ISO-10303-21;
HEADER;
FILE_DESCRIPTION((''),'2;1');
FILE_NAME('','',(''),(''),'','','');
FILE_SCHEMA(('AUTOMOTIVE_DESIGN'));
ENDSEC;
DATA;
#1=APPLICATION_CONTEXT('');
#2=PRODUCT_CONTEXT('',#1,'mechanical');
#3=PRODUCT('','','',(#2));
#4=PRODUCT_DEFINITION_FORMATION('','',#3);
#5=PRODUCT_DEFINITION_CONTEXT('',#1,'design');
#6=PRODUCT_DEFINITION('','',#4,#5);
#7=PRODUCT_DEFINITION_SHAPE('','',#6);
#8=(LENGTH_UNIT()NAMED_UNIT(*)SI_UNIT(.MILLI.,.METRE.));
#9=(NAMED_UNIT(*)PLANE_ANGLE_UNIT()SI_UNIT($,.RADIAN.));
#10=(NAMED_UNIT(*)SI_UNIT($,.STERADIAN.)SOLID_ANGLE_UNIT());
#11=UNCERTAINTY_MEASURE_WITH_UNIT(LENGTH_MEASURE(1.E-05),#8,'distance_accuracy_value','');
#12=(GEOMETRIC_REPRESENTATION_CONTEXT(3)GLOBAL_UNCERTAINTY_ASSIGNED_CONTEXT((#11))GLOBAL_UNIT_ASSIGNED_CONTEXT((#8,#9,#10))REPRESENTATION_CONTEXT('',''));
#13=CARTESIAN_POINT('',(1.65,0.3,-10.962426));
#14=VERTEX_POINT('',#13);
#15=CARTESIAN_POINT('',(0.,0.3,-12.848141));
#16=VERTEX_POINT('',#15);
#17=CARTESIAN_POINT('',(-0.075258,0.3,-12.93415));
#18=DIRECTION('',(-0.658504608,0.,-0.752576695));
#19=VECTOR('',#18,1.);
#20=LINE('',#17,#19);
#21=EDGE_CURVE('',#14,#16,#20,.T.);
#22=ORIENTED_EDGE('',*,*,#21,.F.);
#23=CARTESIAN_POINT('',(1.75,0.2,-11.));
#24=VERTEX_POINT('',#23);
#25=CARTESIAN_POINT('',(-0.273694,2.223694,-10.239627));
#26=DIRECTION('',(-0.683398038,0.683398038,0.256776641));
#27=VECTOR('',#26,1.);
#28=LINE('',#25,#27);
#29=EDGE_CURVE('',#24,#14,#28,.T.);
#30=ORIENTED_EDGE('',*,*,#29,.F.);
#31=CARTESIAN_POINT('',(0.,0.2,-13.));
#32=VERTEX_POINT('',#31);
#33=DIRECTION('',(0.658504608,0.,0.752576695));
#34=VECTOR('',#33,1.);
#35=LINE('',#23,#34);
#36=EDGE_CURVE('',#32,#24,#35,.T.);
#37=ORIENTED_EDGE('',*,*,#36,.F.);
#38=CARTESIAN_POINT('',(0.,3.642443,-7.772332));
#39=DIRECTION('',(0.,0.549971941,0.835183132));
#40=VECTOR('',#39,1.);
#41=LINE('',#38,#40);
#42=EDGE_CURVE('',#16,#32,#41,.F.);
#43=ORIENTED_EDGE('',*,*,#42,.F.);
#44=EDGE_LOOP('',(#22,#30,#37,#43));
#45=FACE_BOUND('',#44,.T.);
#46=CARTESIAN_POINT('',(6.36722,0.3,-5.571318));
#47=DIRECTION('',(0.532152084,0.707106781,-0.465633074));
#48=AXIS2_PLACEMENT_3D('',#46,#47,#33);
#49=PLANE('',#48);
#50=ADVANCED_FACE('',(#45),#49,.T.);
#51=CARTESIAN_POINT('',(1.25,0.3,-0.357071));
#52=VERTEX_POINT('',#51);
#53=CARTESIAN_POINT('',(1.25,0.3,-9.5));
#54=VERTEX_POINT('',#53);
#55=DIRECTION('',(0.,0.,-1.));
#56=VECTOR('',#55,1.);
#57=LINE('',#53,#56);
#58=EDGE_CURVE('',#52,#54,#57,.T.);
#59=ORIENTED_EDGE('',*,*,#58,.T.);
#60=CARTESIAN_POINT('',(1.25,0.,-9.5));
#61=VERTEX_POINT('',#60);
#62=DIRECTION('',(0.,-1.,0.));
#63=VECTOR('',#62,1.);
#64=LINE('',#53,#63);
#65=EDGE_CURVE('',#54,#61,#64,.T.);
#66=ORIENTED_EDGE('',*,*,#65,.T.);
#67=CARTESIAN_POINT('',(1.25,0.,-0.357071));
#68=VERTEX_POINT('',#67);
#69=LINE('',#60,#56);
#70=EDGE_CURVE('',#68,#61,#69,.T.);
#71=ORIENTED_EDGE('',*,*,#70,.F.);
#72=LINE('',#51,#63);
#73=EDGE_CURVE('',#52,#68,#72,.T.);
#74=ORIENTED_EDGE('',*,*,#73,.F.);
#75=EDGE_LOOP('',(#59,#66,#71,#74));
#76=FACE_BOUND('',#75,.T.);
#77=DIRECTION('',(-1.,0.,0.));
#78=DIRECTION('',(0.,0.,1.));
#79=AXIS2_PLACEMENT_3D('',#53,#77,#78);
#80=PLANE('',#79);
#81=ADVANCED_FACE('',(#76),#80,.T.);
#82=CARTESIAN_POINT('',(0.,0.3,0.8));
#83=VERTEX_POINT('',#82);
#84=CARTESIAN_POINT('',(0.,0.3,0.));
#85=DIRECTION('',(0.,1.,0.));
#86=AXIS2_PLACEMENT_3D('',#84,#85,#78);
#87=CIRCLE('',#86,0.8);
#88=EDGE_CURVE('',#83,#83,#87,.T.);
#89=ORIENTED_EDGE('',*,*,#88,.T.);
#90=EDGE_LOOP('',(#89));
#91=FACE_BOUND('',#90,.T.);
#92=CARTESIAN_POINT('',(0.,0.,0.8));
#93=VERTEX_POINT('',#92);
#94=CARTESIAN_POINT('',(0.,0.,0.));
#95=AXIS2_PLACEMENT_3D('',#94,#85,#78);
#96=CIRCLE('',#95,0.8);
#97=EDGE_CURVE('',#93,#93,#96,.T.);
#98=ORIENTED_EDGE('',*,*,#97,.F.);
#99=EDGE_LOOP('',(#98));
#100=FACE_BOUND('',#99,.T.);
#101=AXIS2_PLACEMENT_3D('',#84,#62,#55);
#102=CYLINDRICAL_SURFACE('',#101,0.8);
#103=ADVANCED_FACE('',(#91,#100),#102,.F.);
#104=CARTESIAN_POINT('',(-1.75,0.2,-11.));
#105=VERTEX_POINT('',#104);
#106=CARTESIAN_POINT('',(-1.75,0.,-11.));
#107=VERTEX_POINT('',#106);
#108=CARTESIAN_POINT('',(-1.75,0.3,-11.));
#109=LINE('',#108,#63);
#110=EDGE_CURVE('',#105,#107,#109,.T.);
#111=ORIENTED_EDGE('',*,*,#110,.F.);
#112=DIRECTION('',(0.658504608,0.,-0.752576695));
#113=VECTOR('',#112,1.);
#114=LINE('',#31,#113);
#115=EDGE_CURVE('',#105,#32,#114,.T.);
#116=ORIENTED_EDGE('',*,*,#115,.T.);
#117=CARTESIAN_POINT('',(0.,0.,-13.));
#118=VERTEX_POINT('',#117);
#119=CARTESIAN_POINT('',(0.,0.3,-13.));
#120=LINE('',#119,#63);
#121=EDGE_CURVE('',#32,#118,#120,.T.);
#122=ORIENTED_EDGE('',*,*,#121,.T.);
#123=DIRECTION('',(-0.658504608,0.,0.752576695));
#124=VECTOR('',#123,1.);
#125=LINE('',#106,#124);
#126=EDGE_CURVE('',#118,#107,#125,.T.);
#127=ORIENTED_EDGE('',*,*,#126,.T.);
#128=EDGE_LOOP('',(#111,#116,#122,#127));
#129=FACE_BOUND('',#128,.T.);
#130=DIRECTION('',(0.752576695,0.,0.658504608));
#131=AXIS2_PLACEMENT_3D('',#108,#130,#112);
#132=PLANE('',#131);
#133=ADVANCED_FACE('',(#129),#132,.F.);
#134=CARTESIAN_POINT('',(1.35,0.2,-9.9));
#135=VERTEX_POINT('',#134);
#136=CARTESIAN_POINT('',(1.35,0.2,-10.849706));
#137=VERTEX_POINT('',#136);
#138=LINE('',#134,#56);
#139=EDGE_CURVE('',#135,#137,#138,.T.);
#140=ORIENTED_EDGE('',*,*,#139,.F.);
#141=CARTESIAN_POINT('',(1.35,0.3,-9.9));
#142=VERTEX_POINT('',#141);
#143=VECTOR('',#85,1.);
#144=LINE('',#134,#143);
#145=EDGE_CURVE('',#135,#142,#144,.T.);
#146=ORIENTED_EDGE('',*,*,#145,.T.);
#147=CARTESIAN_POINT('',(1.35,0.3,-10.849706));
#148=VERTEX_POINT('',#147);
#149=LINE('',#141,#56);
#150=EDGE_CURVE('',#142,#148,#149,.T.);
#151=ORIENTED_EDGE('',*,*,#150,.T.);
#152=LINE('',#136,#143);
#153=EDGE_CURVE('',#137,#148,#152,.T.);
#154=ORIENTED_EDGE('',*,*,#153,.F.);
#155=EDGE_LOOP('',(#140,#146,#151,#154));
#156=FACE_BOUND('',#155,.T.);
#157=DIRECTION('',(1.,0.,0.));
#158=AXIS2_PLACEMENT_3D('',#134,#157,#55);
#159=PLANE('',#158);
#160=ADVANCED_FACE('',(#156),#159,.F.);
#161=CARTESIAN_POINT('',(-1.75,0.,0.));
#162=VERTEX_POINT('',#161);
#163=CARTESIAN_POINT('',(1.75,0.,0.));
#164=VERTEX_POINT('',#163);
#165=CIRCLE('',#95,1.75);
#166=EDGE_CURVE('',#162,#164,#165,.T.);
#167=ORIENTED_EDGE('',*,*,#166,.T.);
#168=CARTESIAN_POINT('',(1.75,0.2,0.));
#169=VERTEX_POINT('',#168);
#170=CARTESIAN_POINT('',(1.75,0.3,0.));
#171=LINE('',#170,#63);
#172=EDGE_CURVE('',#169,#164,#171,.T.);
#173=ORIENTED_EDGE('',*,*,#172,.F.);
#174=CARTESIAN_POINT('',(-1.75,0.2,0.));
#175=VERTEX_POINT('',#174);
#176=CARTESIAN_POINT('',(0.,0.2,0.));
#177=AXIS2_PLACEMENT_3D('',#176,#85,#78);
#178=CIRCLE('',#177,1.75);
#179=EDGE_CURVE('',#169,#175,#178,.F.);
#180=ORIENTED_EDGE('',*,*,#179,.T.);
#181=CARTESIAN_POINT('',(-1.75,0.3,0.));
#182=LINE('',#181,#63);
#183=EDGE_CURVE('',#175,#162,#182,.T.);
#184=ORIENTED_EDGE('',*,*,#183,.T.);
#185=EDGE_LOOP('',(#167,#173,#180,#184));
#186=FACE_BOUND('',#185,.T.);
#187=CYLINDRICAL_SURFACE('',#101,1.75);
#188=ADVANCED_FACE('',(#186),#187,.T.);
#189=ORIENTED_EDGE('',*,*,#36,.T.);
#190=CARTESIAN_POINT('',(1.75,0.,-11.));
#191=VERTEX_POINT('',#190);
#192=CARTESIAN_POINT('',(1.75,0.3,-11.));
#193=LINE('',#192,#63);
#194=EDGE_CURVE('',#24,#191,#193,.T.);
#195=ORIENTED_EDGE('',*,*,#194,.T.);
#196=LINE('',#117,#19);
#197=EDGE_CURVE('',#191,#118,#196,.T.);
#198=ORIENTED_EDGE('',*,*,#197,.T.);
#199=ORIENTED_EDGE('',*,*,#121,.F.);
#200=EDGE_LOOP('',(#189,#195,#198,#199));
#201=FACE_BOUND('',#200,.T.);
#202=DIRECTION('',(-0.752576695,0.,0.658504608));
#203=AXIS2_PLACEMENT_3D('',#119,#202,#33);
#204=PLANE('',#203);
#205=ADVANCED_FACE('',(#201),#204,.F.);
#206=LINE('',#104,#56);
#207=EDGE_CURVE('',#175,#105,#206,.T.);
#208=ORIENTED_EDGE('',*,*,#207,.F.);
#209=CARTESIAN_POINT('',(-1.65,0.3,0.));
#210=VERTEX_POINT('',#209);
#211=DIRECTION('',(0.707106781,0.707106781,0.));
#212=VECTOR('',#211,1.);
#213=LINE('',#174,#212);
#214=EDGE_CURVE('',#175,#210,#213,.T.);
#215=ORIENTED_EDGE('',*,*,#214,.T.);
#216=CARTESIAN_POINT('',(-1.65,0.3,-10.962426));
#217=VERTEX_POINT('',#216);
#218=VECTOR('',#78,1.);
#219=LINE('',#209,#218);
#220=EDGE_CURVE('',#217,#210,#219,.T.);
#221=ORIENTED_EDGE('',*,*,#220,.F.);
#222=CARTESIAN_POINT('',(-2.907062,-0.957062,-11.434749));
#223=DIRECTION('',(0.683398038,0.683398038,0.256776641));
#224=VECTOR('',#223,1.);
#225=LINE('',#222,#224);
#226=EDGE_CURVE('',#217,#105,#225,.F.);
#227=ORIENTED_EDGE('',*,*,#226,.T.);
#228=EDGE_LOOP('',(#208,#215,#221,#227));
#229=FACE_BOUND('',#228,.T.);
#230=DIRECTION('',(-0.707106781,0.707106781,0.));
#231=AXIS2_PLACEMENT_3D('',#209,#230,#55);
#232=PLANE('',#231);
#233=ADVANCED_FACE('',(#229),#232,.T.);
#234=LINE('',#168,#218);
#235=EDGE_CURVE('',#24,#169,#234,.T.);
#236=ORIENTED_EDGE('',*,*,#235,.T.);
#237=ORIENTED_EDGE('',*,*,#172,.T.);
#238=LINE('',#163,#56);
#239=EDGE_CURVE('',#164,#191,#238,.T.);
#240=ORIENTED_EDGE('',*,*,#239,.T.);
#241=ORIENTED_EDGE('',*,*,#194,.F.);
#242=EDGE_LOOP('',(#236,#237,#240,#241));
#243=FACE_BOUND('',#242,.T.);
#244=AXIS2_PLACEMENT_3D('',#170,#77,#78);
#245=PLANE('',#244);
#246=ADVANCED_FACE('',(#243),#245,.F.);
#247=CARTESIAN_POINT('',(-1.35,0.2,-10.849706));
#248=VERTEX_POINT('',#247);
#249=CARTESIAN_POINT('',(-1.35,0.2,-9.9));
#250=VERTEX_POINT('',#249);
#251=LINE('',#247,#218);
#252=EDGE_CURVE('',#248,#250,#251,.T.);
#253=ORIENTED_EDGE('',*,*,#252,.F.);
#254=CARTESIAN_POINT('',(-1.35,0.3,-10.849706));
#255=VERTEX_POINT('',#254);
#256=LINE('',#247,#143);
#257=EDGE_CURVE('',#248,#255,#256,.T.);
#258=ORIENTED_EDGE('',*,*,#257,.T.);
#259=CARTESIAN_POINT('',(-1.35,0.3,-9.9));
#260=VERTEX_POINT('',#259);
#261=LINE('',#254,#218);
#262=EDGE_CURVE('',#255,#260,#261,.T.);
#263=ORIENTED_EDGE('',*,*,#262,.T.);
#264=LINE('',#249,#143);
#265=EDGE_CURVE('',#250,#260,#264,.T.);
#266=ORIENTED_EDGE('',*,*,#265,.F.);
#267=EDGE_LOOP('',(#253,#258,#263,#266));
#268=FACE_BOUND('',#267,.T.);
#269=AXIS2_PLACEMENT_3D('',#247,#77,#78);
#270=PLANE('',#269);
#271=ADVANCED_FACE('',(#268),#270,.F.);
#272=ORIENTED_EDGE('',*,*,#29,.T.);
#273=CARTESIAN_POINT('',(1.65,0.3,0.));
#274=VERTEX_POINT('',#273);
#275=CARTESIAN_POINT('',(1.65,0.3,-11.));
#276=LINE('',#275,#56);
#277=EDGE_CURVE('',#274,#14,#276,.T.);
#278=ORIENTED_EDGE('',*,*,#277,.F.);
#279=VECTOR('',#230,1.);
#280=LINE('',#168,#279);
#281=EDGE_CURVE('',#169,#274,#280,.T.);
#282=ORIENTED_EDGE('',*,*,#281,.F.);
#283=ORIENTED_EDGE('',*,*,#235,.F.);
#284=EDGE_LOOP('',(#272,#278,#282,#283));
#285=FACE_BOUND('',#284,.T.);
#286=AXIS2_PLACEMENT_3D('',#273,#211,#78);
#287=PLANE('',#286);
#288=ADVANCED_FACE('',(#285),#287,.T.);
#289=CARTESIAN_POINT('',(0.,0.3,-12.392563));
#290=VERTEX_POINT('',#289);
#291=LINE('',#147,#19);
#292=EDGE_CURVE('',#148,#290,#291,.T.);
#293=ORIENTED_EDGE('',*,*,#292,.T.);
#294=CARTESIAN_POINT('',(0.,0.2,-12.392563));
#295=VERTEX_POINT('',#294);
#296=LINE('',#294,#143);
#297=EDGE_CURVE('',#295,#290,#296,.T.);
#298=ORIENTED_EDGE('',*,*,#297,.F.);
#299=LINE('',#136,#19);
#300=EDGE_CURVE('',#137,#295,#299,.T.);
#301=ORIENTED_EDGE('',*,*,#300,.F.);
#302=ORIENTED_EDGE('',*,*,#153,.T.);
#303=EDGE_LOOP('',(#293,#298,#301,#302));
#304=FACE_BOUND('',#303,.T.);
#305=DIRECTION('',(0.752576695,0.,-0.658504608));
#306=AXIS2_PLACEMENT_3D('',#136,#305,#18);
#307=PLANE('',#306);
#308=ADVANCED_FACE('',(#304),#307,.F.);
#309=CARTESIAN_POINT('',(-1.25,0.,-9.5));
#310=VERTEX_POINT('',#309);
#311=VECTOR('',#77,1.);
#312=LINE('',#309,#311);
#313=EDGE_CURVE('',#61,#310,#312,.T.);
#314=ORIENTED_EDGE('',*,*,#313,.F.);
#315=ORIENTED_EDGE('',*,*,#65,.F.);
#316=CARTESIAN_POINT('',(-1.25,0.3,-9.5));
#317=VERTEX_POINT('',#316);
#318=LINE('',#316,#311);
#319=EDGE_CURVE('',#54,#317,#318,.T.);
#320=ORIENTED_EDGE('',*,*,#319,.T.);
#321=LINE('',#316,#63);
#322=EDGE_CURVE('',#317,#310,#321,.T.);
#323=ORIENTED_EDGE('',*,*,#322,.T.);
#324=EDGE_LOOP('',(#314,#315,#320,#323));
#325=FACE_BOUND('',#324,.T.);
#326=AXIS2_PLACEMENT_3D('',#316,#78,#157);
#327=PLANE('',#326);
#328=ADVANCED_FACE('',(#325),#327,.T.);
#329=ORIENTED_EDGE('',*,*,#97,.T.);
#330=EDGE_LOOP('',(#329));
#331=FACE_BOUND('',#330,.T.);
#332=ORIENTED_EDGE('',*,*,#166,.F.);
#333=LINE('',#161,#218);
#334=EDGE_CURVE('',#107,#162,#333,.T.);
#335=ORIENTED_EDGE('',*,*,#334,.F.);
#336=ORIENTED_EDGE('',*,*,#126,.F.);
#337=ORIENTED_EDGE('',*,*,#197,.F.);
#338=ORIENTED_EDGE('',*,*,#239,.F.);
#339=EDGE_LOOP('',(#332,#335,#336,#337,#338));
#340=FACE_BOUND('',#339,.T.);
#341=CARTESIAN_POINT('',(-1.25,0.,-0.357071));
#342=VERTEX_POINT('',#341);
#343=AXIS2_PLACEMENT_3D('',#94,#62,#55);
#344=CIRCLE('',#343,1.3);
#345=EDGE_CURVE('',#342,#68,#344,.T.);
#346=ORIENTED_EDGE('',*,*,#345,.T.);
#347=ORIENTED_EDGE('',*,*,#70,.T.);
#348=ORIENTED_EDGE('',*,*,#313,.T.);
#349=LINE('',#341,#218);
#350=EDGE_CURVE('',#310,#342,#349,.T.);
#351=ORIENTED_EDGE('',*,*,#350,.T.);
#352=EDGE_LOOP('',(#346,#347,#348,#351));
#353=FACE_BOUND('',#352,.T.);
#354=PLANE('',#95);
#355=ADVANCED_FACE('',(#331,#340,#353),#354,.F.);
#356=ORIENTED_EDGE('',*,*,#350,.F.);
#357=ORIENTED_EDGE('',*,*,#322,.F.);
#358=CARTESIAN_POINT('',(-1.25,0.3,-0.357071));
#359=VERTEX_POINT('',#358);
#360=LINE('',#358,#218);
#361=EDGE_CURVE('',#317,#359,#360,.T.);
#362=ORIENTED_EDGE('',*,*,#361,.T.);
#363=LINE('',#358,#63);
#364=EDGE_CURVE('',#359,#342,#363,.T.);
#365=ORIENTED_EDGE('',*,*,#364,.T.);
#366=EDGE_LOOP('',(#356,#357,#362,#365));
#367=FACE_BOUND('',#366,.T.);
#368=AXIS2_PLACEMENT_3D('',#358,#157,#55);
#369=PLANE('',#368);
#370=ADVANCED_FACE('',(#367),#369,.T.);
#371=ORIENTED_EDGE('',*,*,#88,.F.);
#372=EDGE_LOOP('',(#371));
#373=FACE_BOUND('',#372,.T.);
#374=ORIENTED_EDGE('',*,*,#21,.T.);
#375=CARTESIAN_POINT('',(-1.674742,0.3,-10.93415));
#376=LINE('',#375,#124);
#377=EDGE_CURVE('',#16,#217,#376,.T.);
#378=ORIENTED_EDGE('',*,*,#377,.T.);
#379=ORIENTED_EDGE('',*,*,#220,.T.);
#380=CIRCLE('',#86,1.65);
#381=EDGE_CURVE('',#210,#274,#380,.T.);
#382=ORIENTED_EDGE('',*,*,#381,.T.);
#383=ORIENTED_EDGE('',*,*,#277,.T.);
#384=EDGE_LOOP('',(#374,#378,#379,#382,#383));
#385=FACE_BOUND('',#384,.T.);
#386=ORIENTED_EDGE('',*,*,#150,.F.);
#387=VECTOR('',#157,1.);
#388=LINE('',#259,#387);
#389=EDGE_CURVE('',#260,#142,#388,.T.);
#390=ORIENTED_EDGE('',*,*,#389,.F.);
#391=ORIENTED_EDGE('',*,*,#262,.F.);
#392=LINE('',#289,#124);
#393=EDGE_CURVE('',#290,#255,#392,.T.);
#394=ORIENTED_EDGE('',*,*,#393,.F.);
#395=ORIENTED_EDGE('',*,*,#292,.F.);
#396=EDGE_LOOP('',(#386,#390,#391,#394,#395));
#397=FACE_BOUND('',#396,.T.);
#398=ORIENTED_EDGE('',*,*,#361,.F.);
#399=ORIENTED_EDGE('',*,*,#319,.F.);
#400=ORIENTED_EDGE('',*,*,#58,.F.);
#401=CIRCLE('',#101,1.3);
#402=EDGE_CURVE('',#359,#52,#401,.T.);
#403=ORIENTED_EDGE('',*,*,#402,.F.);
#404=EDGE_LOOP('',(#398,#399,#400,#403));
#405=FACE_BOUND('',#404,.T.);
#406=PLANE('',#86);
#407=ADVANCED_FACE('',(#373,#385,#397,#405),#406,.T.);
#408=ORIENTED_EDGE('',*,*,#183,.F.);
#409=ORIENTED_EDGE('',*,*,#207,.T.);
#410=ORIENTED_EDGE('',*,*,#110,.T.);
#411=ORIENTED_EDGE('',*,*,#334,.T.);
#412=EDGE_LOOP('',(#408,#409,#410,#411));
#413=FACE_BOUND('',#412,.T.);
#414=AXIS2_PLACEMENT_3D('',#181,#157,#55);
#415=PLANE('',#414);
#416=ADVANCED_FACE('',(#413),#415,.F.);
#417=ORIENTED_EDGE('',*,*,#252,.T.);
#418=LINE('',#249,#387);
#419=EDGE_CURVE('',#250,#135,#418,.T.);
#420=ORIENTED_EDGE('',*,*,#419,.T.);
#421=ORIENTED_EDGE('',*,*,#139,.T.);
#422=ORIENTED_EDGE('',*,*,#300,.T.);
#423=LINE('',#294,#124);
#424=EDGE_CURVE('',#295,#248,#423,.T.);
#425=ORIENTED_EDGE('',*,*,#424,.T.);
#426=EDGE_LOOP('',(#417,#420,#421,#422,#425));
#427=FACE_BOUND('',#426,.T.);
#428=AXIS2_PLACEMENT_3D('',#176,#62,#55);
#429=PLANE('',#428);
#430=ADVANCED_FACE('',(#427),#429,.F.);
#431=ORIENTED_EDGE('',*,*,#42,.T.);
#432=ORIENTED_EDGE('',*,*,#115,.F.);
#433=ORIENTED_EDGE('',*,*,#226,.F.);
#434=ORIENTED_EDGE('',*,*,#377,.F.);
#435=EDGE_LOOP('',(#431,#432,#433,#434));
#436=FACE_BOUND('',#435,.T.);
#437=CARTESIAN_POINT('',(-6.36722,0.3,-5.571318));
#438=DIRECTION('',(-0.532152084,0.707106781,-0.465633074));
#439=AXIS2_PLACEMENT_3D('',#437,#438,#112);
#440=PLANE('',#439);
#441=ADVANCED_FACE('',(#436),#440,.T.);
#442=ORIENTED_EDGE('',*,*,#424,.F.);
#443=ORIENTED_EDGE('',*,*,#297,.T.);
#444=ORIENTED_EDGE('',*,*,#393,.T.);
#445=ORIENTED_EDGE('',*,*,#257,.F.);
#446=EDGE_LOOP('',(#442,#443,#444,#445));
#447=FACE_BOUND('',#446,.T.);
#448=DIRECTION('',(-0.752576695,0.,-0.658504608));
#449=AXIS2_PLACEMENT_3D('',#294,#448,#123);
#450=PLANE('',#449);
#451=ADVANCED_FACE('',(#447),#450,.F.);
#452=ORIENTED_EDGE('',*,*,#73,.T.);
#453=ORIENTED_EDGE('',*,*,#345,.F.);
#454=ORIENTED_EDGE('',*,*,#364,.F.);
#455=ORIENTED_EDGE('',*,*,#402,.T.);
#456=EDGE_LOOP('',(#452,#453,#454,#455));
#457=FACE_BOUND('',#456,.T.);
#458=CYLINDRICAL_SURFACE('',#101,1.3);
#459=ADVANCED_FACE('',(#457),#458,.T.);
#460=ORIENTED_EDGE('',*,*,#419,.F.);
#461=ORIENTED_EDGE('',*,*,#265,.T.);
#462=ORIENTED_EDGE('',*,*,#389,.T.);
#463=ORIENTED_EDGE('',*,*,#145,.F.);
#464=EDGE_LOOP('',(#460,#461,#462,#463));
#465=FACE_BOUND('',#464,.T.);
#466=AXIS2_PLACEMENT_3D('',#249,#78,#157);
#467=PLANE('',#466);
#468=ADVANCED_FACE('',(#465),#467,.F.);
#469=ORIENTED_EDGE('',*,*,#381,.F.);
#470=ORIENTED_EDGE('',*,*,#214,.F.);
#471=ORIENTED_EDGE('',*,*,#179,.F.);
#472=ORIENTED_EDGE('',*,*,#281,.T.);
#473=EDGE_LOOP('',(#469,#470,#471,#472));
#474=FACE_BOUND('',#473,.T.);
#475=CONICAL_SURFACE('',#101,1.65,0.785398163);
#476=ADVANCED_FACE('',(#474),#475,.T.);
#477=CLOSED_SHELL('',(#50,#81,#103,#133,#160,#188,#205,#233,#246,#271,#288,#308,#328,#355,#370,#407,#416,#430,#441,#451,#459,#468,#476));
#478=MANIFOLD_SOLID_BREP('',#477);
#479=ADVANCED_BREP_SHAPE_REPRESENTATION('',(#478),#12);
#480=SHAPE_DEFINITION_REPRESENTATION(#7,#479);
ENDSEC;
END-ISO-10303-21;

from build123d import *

# Parameters (mm, degrees)
SKETCH1_R           = 0.8
BOSS_EXTRUDE1_DEPTH = 0.3
CUT_EXTRUDE1_DEPTH  = 0.1
CHAMFER1_SIZE       = 0.1


with BuildPart() as part:
    # Sketch1 → Boss-Extrude1 (new body)
    with BuildSketch(Plane(origin=(0, 0, 0), x_dir=(1, 0, 0), z_dir=(0, 1, 0))):
        with BuildLine():
            Line((-1.75, 0), (-1.75, 11))
            Line((-1.75, 11), (0, 13))
            Line((0, 13), (1.75, 11))
            Line((1.75, 11), (1.75, 0))
            ThreePointArc((1.75, 0), (0, -1.75), (-1.75, 0))
        make_face()
        Circle(SKETCH1_R, mode=Mode.SUBTRACT)
        with BuildLine():
            Line((-1.25, 0.357071421), (-1.25, 9.5))
            Line((-1.25, 9.5), (1.25, 9.5))
            Line((1.25, 9.5), (1.25, 0.357071421))
            ThreePointArc((1.25, 0.357071421), (0, 1.3), (-1.25, 0.357071421))
        make_face(mode=Mode.SUBTRACT)
    extrude(amount=BOSS_EXTRUDE1_DEPTH)

    # Sketch2 → Cut-Extrude1 (cut)
    with BuildSketch(Plane(origin=(0, 0.3, 0), x_dir=(1, 0, 0), z_dir=(0, 1, 0))):
        Polygon((-1.35, 10.849705954), (-1.35, 9.9), (1.35, 9.9), (1.35, 10.849705954), (0, 12.392563096), align=None)
    extrude(amount=-CUT_EXTRUDE1_DEPTH, mode=Mode.SUBTRACT)

    # Chamfer1
    chamfer1_edges = [part.edges().sort_by_distance(p)[0] for p in [
        (0.875, 0.3, -12),
        (-0.875, 0.3, -12),
        (-1.75, 0.3, -5.5),
        (0, 0.3, 1.75),
        (1.75, 0.3, -5.5),
    ]]
    chamfer(chamfer1_edges, length=CHAMFER1_SIZE)


solid = part.part
